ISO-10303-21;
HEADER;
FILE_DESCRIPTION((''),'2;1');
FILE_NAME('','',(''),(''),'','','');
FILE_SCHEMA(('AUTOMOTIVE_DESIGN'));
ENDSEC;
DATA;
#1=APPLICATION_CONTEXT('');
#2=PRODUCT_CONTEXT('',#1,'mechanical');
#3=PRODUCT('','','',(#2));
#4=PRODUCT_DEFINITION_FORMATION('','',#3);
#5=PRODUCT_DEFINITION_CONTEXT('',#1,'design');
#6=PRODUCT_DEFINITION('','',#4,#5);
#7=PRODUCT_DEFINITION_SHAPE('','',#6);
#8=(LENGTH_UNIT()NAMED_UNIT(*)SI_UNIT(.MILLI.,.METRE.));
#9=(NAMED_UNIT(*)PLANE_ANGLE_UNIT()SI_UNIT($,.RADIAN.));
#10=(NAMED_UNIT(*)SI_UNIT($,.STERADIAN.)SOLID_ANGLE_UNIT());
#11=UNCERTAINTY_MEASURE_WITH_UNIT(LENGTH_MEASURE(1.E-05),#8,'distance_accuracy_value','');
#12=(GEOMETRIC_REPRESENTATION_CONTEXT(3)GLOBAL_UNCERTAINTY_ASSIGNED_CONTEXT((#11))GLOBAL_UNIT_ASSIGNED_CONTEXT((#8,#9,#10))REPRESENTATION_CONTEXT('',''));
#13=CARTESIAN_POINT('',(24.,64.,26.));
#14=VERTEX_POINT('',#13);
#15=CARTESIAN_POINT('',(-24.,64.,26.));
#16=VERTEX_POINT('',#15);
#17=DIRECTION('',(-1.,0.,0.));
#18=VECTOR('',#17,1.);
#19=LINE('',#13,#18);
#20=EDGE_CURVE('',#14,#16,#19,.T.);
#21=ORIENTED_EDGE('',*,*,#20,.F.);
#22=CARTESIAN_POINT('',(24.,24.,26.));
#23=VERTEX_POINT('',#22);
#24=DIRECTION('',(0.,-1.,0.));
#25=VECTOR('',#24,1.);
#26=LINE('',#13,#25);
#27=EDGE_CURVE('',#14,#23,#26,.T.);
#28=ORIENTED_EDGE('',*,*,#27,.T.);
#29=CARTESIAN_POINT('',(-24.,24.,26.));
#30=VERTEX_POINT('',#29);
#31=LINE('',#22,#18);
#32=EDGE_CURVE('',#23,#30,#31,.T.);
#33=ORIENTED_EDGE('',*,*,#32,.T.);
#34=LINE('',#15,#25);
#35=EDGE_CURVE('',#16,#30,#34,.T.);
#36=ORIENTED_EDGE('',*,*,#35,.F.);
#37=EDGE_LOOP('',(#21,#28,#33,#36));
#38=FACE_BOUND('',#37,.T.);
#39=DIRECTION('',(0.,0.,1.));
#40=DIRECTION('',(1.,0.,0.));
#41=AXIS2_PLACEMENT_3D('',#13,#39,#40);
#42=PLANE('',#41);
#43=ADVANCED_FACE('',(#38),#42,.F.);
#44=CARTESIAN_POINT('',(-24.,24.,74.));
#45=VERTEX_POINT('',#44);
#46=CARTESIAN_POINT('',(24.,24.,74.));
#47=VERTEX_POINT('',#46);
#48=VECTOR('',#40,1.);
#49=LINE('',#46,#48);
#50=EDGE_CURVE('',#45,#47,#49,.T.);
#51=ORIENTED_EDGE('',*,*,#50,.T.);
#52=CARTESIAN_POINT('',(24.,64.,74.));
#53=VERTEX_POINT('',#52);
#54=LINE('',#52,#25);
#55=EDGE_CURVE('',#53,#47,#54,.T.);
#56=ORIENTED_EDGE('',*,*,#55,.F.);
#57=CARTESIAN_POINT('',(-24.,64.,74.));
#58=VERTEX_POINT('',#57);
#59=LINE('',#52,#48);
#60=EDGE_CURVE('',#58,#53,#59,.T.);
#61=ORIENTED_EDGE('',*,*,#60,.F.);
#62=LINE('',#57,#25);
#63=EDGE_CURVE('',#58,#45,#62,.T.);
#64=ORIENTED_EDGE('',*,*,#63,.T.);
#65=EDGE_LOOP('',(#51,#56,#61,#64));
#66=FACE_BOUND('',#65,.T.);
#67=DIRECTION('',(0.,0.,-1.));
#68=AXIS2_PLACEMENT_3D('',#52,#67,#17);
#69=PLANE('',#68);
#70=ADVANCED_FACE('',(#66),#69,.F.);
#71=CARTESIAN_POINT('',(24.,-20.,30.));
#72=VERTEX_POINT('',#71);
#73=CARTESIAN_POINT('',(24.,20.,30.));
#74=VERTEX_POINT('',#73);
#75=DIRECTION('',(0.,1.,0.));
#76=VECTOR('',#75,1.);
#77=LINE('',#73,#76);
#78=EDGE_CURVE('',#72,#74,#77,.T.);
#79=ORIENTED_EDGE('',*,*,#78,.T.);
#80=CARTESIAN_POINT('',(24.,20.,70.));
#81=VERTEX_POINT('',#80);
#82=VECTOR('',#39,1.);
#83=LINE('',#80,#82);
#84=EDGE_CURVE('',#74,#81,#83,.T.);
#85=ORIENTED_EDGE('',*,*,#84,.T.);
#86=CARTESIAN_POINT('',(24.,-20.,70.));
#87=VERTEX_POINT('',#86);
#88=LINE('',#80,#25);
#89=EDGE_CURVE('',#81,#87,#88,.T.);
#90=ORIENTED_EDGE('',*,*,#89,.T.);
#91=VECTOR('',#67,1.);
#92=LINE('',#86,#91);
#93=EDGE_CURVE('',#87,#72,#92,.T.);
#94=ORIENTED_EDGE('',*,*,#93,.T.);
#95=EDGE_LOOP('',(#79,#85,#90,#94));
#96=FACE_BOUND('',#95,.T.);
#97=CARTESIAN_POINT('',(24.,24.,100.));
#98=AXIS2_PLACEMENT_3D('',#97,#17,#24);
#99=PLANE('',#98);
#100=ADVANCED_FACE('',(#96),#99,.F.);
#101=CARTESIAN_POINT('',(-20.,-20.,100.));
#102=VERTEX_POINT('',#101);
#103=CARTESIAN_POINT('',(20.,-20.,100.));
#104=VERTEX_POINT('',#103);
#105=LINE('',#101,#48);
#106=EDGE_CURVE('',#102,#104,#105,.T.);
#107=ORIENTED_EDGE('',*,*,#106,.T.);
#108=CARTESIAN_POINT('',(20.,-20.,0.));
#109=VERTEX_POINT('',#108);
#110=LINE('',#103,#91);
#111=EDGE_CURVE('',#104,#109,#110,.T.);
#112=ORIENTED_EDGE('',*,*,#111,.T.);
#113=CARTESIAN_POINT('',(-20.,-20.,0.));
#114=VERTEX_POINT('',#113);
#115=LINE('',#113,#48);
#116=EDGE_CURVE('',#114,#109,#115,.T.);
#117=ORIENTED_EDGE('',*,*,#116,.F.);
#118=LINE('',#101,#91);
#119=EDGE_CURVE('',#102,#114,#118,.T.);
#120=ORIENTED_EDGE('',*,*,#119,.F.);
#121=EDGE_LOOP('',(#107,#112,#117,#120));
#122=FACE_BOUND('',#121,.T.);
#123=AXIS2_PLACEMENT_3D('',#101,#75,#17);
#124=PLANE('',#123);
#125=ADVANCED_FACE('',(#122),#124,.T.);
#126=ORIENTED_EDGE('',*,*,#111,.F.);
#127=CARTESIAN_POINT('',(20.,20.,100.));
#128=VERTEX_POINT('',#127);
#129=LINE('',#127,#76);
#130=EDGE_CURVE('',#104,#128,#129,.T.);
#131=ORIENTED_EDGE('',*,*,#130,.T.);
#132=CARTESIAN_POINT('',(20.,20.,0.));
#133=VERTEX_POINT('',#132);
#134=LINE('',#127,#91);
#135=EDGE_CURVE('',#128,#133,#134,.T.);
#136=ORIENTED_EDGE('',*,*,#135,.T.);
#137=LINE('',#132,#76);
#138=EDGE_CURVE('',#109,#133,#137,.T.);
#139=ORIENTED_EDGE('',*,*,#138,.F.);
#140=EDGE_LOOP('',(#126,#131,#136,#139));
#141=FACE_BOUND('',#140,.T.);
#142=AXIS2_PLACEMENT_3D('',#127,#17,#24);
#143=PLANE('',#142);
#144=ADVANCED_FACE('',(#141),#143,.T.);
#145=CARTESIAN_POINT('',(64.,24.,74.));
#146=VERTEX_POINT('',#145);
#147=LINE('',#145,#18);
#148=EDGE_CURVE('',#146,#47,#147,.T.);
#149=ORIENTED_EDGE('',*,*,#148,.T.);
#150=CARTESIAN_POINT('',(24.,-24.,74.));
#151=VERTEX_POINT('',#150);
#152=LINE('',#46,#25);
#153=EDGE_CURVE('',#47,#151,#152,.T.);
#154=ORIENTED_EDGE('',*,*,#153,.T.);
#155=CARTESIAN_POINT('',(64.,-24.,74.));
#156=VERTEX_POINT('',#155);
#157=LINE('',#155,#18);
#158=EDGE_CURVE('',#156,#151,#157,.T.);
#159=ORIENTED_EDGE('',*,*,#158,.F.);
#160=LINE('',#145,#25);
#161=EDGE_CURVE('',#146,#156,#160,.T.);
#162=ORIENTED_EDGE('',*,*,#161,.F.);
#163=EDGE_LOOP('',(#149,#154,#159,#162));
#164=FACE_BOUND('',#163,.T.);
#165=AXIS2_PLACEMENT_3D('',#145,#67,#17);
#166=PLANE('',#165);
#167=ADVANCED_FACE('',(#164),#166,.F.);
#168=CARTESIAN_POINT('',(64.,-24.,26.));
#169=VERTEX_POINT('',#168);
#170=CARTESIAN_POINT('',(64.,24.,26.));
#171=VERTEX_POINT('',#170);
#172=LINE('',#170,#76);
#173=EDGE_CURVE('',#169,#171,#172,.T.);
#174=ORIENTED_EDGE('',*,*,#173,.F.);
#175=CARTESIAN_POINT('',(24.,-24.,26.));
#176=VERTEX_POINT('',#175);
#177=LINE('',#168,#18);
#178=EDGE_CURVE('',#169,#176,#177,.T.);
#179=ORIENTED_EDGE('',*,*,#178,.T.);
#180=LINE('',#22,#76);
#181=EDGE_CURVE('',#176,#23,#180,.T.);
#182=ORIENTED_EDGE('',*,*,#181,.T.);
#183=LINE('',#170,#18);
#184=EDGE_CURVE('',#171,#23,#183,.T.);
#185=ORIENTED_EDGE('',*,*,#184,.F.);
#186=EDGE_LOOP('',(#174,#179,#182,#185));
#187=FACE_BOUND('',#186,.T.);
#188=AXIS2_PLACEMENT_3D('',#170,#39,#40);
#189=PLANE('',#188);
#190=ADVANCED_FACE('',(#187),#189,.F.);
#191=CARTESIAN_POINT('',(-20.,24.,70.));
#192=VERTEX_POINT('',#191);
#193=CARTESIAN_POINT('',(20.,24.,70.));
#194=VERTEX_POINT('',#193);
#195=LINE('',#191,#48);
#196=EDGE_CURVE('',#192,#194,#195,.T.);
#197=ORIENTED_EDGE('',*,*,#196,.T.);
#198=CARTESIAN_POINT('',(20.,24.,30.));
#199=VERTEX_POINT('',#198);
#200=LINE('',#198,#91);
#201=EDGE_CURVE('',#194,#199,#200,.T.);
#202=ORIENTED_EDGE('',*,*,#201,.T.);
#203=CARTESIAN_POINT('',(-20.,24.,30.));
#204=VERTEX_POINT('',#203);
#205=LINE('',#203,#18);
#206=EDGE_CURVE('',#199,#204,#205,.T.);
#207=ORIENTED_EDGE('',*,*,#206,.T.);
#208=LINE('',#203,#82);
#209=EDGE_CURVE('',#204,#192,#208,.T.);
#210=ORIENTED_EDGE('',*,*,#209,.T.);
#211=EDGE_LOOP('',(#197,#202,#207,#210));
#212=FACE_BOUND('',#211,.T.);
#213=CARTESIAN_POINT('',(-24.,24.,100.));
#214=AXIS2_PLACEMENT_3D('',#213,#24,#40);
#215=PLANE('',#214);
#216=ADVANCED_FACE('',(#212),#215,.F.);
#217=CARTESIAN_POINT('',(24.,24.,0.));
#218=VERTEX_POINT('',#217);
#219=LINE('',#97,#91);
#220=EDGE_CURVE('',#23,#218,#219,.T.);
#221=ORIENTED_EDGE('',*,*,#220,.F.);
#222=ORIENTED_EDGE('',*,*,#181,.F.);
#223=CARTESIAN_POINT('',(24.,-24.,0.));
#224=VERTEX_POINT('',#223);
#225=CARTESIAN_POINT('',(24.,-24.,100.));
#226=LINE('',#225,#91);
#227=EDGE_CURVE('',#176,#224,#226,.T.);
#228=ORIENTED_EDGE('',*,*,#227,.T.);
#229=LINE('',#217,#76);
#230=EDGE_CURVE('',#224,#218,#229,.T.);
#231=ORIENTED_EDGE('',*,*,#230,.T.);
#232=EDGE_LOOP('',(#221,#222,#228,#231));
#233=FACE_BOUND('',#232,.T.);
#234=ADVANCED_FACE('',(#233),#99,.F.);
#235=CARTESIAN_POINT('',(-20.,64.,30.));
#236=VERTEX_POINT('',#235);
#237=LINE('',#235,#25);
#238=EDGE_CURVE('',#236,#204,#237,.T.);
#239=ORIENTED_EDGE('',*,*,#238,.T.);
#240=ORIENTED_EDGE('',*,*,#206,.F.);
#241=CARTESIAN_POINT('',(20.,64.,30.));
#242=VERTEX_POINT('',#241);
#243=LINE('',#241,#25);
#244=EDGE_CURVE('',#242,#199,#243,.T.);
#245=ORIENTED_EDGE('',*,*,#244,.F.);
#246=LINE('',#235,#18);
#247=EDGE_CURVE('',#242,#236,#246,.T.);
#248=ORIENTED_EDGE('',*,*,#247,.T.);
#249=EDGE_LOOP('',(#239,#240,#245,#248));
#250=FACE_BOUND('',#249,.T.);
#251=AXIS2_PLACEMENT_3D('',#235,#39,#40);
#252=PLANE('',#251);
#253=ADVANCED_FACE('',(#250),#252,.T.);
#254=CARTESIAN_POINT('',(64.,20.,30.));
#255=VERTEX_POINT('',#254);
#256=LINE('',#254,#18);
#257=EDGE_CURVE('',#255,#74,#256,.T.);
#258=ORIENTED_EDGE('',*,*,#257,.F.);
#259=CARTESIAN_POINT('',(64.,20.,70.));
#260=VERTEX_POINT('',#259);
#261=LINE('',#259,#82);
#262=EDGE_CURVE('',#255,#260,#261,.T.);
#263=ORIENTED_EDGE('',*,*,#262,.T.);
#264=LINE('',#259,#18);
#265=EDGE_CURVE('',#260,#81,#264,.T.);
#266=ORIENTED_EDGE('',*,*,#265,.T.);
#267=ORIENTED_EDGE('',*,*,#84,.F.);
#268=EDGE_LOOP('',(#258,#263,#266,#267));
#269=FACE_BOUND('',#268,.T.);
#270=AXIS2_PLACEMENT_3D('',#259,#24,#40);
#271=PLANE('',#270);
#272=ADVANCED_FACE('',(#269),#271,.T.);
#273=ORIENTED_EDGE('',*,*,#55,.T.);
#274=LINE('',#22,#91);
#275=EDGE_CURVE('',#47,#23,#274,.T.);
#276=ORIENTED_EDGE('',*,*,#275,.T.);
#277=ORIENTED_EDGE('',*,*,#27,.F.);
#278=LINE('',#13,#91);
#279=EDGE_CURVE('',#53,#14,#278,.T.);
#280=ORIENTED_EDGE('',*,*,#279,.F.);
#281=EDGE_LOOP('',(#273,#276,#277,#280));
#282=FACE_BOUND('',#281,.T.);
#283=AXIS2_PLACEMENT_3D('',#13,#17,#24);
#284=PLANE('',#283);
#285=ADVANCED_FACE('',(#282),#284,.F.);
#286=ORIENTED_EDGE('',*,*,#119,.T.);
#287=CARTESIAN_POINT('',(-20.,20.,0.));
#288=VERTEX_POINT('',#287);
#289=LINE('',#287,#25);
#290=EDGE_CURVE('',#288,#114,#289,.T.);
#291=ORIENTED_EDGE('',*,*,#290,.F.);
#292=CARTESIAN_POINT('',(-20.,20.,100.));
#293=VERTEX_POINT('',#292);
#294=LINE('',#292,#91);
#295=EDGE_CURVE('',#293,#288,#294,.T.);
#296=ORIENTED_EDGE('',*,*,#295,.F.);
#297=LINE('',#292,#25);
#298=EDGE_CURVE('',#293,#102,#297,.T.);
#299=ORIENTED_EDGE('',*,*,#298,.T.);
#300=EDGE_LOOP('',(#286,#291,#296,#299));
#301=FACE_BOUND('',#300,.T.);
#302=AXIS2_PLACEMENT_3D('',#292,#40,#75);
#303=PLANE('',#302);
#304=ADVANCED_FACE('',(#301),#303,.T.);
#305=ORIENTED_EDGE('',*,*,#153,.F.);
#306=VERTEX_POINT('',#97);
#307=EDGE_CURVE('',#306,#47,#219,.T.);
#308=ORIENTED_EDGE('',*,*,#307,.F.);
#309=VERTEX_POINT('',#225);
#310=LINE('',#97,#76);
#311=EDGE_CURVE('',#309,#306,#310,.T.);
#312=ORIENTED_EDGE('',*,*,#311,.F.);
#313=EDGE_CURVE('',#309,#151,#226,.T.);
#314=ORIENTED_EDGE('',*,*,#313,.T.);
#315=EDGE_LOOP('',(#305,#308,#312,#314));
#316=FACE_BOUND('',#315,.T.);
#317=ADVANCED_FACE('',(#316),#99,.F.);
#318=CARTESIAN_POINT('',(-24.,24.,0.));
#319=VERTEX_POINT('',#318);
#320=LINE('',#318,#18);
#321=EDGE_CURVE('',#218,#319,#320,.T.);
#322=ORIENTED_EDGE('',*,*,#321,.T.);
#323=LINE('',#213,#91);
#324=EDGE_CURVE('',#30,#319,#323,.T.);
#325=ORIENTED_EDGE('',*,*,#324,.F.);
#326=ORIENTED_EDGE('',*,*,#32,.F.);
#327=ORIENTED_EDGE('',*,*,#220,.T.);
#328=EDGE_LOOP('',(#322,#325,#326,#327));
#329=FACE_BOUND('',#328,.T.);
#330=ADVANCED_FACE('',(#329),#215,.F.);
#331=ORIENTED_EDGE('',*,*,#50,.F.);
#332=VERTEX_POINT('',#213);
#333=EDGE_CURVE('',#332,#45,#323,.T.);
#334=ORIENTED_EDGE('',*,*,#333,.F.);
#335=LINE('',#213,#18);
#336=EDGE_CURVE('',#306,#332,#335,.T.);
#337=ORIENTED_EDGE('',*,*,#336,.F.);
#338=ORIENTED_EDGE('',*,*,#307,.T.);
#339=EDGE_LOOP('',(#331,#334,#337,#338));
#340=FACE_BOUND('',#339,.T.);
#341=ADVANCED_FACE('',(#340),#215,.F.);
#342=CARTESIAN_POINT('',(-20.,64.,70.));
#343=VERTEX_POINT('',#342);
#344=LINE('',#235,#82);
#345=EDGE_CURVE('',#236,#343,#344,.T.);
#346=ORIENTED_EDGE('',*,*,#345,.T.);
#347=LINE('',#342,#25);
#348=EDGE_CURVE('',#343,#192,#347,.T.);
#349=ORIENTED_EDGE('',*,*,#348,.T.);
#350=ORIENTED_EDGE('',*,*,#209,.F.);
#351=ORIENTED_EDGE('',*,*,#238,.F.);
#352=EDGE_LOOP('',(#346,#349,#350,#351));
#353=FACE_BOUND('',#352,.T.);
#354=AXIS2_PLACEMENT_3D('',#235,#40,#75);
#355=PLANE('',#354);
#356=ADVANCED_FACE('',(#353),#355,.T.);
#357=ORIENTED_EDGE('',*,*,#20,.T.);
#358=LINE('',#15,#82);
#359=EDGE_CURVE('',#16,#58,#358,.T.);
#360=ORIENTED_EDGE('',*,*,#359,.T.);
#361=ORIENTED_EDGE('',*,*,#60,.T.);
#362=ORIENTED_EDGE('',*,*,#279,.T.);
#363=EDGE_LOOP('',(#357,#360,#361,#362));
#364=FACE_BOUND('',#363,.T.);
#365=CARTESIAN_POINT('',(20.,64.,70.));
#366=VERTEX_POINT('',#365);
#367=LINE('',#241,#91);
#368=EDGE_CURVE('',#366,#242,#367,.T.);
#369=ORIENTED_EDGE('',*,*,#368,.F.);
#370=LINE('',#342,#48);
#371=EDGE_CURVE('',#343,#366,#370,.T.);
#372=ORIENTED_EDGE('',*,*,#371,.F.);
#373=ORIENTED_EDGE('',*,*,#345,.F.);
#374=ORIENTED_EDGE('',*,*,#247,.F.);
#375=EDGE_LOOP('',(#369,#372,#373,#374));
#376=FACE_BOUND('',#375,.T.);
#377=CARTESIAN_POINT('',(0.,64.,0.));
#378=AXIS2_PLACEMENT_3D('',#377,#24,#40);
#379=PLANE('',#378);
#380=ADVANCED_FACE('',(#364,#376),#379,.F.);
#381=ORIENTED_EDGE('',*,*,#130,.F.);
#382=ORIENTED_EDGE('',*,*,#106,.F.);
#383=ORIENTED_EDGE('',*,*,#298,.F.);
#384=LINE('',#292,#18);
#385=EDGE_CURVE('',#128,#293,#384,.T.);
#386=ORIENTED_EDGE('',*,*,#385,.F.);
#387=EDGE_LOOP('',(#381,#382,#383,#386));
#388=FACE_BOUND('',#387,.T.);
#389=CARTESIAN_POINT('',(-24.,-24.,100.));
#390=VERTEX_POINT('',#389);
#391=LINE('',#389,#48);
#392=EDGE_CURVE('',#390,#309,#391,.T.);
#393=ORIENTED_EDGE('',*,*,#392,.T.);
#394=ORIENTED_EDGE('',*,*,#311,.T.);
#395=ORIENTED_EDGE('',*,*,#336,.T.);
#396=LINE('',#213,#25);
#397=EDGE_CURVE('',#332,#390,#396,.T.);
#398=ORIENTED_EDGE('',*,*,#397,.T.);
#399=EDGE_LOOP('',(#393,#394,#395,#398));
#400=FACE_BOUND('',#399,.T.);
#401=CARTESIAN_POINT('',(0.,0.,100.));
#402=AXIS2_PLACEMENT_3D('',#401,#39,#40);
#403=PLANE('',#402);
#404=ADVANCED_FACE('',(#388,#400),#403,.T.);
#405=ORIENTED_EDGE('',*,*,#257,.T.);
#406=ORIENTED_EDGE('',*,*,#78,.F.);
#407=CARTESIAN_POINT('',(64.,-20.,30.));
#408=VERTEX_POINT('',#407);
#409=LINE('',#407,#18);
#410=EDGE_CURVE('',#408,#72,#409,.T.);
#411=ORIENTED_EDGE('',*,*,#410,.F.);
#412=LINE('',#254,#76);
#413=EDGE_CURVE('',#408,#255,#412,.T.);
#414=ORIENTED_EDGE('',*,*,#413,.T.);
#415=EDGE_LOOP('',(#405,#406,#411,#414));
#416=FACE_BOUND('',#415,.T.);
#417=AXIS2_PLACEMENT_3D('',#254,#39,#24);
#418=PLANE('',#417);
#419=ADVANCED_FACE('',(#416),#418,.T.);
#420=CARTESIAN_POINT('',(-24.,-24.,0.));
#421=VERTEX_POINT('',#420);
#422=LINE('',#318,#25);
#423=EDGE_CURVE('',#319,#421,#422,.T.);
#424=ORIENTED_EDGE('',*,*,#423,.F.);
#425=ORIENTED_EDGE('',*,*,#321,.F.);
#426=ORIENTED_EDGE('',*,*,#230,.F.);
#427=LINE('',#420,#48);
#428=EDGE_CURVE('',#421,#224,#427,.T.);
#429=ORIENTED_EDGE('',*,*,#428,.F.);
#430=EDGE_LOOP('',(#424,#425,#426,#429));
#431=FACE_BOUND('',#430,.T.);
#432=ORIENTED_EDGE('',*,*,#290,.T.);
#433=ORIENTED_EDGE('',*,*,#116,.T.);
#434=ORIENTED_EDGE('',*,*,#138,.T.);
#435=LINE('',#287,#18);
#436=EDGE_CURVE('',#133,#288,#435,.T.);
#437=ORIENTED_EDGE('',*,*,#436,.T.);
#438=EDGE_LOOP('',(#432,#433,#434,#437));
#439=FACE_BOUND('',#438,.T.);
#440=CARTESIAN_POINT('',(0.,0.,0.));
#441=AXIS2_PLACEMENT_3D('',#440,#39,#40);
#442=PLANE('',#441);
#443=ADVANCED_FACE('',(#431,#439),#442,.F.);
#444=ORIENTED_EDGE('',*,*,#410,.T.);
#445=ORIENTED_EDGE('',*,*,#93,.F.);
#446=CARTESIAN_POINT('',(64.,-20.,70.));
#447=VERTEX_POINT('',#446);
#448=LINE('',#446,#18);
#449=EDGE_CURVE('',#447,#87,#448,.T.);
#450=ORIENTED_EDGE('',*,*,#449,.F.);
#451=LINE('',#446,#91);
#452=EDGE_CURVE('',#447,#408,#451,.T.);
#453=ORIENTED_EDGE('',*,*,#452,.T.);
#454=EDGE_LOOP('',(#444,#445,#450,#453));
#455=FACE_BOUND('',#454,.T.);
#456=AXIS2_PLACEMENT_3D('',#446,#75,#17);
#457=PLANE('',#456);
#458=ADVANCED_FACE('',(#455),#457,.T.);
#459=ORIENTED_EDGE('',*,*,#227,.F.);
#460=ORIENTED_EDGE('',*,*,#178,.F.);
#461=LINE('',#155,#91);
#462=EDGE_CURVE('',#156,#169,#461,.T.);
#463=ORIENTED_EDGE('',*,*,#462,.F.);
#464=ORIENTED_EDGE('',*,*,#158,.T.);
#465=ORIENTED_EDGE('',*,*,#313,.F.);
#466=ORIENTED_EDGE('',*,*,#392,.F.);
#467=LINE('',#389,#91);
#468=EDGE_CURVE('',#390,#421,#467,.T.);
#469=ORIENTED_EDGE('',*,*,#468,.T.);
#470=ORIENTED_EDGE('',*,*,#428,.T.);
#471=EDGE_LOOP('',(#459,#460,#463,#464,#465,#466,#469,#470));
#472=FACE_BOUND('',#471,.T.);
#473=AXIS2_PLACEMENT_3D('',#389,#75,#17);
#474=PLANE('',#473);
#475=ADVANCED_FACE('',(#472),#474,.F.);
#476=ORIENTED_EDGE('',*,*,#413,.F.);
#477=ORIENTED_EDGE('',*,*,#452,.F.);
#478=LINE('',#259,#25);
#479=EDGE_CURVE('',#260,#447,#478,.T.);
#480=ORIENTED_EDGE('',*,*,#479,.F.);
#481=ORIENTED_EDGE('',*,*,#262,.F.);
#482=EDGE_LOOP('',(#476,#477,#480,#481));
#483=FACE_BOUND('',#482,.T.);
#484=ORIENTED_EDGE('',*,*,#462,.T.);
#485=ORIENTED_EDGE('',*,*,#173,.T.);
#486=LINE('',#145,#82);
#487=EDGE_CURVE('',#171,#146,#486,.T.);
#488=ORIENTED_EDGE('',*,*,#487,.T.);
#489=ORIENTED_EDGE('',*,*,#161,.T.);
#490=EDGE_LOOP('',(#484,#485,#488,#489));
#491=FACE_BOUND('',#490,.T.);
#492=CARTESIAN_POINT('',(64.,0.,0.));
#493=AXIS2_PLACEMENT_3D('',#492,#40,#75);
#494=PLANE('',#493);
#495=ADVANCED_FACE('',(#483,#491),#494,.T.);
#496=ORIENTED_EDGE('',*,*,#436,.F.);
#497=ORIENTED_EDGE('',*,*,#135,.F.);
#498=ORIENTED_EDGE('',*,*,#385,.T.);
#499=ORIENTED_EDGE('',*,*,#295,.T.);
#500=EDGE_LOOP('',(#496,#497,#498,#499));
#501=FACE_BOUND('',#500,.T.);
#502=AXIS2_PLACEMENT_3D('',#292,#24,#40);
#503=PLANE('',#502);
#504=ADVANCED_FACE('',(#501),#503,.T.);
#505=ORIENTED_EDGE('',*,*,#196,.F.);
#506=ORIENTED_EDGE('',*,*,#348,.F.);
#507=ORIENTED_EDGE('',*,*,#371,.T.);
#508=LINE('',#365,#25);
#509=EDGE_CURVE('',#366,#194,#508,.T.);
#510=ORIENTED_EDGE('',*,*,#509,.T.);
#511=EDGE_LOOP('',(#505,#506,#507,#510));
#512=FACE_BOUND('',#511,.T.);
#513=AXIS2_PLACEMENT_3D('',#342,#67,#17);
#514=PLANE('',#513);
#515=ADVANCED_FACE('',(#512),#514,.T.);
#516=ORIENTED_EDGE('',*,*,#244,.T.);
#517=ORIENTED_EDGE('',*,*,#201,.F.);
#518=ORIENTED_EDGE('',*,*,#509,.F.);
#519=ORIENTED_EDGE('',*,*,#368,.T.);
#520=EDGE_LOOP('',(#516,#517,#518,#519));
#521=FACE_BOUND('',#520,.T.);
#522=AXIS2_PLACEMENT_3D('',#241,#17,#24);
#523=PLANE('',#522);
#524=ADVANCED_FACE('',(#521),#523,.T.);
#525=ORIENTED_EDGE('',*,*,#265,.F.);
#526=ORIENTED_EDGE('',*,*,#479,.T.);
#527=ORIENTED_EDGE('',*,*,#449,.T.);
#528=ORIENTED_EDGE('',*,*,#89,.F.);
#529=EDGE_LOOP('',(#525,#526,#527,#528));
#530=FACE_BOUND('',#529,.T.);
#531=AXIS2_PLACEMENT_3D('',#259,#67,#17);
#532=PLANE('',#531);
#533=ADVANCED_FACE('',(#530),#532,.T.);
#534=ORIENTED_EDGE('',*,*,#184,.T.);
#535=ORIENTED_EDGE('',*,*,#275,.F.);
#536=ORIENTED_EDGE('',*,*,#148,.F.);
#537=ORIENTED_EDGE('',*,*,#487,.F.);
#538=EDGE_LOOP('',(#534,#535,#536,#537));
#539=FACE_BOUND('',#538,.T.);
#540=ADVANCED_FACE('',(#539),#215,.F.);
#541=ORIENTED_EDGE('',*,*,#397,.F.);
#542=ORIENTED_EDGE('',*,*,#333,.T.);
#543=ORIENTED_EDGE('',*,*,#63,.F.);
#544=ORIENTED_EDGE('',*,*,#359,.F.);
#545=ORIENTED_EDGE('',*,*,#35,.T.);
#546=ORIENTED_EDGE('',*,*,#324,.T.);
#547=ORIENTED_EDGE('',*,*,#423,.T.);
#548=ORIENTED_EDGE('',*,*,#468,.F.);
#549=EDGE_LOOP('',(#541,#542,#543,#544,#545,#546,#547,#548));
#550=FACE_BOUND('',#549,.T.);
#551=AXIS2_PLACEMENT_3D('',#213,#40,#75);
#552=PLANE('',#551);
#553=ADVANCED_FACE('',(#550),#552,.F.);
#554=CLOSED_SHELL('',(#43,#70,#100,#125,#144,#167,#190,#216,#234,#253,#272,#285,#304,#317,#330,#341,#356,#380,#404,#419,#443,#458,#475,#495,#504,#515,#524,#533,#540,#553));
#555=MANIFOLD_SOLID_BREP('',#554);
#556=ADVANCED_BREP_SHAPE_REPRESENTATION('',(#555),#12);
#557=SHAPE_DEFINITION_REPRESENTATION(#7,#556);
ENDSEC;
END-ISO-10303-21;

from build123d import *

# Parameters (mm, degrees)
SKETCH_2_W      = 48
SKETCH_2_H      = 48
SKETCH_2_W_2    = 40
SKETCH_2_H_2    = 40
EXTRUDE_1_DEPTH = 100
SKETCH_3_W      = 48
SKETCH_3_H      = 48
SKETCH_3_W_2    = 40
SKETCH_3_H_2    = 40
EXTRUDE_2_DEPTH = 40
SKETCH_4_W      = 48
SKETCH_4_H      = 48
SKETCH_4_W_2    = 40
SKETCH_4_H_2    = 40
EXTRUDE_3_DEPTH = 40


with BuildPart() as part:
    # 草图2 → 凸台-拉伸1 (new body)
    with BuildSketch(Plane.XY):
        Rectangle(SKETCH_2_W, SKETCH_2_H)
        Rectangle(SKETCH_2_W_2, SKETCH_2_H_2, mode=Mode.SUBTRACT)
    extrude(amount=EXTRUDE_1_DEPTH)

    # 草图3 → 凸台-拉伸2 (add)
    with BuildSketch(Plane(origin=(24, 0, 0), x_dir=(0, 0, -1), z_dir=(1, 0, 0))):
        with Locations((-50, 0)):
            Rectangle(SKETCH_3_W, SKETCH_3_H)
        with Locations((-50, 0)):
            Rectangle(SKETCH_3_W_2, SKETCH_3_H_2, mode=Mode.SUBTRACT)
    extrude(amount=EXTRUDE_2_DEPTH)

    # 草图4 → 凸台-拉伸3 (add)
    with BuildSketch(Plane(origin=(0, 24, 0), x_dir=(1, 0, 0), z_dir=(0, 1, 0))):
        with Locations((0, -50)):
            Rectangle(SKETCH_4_W, SKETCH_4_H)
        with Locations((0, -50)):
            Rectangle(SKETCH_4_W_2, SKETCH_4_H_2, mode=Mode.SUBTRACT)
    extrude(amount=EXTRUDE_3_DEPTH)


solid = part.part
